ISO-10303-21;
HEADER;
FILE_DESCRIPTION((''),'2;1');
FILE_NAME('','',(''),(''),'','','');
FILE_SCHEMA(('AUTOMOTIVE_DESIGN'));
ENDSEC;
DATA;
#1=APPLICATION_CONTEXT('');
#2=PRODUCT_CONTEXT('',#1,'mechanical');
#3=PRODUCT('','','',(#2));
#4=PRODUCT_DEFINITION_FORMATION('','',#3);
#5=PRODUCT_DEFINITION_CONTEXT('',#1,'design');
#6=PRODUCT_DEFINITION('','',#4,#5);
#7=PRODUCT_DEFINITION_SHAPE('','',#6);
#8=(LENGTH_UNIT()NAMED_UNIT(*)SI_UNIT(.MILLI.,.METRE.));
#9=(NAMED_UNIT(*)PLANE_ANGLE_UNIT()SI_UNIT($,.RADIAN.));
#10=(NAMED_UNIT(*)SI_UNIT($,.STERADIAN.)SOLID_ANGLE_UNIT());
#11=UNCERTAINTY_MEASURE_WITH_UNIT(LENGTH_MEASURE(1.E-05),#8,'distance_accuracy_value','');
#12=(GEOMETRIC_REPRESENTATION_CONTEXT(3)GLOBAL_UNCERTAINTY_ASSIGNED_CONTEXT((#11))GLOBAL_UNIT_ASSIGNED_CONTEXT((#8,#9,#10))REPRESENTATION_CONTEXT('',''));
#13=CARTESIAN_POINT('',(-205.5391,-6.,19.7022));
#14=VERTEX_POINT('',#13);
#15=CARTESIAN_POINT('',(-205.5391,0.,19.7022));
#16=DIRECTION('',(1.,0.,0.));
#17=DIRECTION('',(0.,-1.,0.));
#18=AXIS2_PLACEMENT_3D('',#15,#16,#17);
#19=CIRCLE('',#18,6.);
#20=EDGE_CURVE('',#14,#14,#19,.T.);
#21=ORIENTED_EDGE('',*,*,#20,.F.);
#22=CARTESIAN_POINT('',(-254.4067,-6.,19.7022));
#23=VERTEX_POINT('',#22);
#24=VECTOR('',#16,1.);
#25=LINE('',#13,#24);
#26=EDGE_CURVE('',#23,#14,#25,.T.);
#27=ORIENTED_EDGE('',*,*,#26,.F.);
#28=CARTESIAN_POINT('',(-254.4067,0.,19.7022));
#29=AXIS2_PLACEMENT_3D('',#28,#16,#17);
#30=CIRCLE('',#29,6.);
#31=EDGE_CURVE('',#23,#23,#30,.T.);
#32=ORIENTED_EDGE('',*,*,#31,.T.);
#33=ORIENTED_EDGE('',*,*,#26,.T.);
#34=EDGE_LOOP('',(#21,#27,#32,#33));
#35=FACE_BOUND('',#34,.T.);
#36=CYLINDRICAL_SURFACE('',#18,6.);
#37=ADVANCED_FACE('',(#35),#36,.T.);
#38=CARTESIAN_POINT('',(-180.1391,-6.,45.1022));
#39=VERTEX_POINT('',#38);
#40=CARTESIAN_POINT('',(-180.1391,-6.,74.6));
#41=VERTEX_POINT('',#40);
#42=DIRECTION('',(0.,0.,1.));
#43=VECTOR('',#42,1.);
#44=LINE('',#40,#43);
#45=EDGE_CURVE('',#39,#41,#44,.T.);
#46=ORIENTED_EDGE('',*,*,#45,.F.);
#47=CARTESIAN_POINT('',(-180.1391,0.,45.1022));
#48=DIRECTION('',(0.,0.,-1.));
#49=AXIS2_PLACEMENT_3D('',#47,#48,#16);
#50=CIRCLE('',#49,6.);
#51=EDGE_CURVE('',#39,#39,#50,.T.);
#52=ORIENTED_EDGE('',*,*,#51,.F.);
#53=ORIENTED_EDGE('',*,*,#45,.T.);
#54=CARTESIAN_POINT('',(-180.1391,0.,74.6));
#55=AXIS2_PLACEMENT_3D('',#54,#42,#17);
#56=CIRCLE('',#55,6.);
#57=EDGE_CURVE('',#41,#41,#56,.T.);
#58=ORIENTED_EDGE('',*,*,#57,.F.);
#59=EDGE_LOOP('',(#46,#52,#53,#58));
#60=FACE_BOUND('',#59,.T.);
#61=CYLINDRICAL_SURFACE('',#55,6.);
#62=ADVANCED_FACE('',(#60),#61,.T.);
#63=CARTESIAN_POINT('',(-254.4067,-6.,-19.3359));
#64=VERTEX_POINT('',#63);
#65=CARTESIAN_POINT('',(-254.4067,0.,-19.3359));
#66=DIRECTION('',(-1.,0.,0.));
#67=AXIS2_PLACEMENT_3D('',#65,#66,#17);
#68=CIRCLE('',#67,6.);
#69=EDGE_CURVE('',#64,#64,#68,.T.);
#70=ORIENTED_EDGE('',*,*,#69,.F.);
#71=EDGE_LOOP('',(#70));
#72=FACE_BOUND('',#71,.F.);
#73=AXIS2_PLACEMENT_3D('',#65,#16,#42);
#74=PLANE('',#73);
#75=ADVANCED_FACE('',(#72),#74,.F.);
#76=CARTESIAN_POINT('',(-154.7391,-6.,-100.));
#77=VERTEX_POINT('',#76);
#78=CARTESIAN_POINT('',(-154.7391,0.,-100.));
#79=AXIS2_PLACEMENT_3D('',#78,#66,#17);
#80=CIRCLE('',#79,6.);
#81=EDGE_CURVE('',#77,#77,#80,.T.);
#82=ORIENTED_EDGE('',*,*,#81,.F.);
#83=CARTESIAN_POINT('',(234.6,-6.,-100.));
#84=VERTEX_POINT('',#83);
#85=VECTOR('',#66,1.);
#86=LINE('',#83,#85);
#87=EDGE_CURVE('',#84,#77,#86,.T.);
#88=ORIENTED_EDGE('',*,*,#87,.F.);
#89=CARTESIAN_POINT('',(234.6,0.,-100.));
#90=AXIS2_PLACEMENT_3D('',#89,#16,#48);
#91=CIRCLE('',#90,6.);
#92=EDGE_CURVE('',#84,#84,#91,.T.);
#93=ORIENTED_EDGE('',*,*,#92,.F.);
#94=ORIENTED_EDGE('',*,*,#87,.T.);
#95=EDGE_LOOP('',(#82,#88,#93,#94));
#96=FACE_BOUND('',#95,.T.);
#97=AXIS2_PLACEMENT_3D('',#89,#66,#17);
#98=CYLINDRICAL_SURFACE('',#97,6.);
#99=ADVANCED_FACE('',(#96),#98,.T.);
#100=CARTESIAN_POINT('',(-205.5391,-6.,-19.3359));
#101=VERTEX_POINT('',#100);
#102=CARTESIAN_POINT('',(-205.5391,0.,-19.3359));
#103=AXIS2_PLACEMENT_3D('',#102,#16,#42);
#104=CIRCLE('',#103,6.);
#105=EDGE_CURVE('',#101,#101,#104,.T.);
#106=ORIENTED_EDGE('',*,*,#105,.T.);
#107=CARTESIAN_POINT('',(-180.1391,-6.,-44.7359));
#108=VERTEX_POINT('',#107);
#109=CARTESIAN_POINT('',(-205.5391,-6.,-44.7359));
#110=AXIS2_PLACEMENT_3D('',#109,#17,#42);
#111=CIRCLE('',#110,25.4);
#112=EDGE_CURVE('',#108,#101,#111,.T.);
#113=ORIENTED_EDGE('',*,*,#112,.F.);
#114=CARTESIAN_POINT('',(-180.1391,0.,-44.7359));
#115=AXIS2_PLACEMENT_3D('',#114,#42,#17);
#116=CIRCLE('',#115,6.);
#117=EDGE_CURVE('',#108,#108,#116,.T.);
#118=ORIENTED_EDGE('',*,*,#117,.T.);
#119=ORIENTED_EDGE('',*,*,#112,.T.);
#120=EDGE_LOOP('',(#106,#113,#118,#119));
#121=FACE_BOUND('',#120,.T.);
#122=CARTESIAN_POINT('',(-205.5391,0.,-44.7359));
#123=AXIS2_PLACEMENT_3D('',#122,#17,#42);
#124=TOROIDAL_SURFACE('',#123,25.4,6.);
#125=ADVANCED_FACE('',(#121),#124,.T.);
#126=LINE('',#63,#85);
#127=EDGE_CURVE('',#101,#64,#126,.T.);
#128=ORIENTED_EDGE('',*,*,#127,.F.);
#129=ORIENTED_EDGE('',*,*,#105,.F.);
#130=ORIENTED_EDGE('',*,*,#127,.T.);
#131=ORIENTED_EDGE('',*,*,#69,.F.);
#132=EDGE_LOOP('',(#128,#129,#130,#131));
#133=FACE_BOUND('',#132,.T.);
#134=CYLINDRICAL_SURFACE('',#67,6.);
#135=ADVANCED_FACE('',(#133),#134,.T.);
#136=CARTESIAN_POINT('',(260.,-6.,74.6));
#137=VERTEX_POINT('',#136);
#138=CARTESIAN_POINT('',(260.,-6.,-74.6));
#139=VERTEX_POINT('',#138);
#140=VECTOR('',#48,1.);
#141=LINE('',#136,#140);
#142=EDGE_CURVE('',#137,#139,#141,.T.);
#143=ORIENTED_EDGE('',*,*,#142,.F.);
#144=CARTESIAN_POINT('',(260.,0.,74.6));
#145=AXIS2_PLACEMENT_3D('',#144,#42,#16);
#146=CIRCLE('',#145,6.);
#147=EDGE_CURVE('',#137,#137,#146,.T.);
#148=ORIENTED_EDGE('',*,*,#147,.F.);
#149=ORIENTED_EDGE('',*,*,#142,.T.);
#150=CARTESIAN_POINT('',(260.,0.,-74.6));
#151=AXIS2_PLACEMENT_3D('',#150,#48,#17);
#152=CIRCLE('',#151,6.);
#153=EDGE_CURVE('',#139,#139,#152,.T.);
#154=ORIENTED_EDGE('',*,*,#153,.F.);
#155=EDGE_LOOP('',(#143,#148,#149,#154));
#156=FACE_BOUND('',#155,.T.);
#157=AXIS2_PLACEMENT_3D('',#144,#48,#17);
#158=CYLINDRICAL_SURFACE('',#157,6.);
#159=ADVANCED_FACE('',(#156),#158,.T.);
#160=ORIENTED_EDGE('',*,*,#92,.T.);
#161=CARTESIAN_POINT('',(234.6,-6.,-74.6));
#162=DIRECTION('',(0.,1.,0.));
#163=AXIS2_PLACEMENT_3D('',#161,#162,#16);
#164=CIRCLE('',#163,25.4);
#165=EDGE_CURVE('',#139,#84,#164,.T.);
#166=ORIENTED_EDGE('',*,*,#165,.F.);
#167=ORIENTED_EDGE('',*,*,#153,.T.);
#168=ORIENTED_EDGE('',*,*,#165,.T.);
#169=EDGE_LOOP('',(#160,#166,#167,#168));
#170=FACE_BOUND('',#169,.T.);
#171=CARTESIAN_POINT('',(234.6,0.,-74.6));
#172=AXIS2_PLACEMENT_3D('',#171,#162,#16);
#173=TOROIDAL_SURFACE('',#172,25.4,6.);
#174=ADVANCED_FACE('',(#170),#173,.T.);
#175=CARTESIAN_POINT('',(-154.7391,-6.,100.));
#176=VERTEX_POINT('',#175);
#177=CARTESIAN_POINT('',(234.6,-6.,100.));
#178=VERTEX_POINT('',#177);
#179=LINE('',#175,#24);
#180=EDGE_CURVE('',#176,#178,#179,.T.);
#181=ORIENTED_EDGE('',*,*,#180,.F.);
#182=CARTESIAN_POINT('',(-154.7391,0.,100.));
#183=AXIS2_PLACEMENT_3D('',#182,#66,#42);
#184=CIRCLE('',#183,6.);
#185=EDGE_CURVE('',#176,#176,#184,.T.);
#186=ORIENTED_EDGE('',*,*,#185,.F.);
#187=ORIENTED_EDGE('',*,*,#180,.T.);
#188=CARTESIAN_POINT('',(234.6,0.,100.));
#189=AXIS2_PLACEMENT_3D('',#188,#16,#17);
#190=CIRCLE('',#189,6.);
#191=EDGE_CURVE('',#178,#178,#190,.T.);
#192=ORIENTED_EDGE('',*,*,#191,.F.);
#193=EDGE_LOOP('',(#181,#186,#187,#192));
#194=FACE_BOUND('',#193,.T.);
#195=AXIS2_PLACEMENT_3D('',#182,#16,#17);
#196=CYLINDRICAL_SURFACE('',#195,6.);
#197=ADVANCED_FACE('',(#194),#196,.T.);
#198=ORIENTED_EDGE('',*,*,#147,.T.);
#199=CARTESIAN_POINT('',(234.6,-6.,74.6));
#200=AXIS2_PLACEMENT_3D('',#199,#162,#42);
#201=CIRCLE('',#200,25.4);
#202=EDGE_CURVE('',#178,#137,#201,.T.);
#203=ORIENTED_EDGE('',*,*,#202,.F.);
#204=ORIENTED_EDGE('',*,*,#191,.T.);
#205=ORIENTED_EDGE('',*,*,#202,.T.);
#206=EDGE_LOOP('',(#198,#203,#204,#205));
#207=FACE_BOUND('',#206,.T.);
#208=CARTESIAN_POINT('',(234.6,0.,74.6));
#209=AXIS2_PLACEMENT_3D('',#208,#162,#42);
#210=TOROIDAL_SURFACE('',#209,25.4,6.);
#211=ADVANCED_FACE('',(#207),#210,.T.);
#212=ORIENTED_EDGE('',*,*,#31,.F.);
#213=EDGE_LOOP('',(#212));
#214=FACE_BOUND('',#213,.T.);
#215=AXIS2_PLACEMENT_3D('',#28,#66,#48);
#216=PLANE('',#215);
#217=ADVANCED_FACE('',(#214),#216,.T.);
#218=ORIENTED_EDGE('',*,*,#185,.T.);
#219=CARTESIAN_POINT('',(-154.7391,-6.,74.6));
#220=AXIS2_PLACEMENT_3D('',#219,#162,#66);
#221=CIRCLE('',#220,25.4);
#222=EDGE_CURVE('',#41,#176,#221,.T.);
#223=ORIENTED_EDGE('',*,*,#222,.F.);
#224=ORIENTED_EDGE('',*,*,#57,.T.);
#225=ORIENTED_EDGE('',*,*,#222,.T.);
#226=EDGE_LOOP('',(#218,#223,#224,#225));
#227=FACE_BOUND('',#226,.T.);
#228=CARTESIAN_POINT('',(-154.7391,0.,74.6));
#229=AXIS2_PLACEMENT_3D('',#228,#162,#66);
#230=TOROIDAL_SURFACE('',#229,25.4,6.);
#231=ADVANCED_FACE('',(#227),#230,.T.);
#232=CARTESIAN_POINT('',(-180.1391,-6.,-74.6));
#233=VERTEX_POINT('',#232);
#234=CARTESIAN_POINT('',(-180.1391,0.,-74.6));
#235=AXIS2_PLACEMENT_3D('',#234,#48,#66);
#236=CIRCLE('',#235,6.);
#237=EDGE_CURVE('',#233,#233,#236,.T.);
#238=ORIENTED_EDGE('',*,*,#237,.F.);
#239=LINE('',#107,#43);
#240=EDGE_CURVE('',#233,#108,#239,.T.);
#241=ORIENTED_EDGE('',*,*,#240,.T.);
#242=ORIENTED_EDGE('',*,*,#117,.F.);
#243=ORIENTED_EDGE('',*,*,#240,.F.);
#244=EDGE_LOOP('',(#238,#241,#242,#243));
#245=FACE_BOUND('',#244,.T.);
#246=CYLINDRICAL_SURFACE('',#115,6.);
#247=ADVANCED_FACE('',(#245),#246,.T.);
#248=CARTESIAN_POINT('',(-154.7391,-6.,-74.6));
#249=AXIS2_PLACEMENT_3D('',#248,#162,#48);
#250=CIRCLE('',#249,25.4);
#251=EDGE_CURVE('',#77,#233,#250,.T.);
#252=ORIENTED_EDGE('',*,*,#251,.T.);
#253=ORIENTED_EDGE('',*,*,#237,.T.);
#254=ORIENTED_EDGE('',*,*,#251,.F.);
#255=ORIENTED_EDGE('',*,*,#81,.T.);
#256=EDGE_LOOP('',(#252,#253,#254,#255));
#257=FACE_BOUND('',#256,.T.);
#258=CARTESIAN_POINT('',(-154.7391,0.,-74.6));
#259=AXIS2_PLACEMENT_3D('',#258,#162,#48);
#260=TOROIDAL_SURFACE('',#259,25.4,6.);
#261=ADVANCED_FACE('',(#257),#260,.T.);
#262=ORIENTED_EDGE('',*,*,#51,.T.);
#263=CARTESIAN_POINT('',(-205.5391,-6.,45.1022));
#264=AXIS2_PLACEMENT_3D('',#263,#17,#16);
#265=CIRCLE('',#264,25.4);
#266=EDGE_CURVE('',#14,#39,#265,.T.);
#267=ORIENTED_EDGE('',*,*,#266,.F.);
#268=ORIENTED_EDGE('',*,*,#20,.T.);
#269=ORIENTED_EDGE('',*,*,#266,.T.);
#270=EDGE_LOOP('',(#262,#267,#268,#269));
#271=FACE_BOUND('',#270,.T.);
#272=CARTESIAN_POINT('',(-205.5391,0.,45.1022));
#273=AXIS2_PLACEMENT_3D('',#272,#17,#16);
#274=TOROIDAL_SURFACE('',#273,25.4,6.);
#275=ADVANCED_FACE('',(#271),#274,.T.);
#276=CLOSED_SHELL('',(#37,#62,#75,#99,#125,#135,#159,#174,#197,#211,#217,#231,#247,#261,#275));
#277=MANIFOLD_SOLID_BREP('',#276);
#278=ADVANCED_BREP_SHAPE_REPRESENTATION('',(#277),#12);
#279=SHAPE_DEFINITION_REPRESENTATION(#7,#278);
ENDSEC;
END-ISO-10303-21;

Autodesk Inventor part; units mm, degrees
ref_plane "YZ Plane" through (0, 0, 0) normal (1, 0, 0) x (0, 1, 0)
ref_plane "XZ Plane" through (0, 0, 0) normal (0, 1, 0) x (-1, 0, 0)
sketch "Sketch1" plane through (0, 0, 0) normal (0, 1, 0) x (-1, 0, 0)
  line L0 (-234.6, -100) -> (154.7391, -100)
  line L1 (154.7391, 100) -> (-234.6, 100)
  line L2 (-260, 74.6) -> (-260, -74.6)
  line L3 (-260, -100) -> (260, 100) construction
  line L4 (260, -100) -> (-260, 100) construction
  line L5 (205.5391, 19.7022) -> (254.4067, 19.7022)
  line L6 (254.4067, -19.3359) -> (205.5391, -19.3359)
  line L7 (180.1391, 74.6) -> (180.1391, 45.1022)
  line L8 (180.1391, -44.7359) -> (180.1391, -74.6)
  arc A0 (180.1391, 74.6) -> (154.7391, 100) centre (154.7391, 74.6) ccw
  arc A1 (180.1391, 45.1022) -> (205.5391, 19.7022) centre (205.5391, 45.1022) ccw
  arc A2 (205.5391, -19.3359) -> (180.1391, -44.7359) centre (205.5391, -44.7359) ccw
  arc A3 (154.7391, -100) -> (180.1391, -74.6) centre (154.7391, -74.6) ccw
  arc A4 (-260, -74.6) -> (-234.6, -100) centre (-234.6, -74.6) ccw
  arc A5 (-234.6, 100) -> (-260, 74.6) centre (-234.6, 74.6) ccw
  point P0 (0, 0)
  dimension "d0" = 520
  dimension "d2" = 200
  dimension "d3" = 25.4
  dimension "d4" = 25.4
ref_plane "Work Plane1" through (-254.4067, 0, 19.7022) normal (-1, 0, 0) x (0, -1, 0)
sketch "Sketch2" plane through (-254.4067, 0, 19.7022) normal (-1, 0, 0) x (0, -1, 0)
  circle A0 centre (0, 0) radius 6
  point P0 (0, -19.7022)
  dimension "d5" = 12
sweep "Sweep1" add profiles "Sketch2" path "Sketch1"
properties part number "AC_heater_coil"
